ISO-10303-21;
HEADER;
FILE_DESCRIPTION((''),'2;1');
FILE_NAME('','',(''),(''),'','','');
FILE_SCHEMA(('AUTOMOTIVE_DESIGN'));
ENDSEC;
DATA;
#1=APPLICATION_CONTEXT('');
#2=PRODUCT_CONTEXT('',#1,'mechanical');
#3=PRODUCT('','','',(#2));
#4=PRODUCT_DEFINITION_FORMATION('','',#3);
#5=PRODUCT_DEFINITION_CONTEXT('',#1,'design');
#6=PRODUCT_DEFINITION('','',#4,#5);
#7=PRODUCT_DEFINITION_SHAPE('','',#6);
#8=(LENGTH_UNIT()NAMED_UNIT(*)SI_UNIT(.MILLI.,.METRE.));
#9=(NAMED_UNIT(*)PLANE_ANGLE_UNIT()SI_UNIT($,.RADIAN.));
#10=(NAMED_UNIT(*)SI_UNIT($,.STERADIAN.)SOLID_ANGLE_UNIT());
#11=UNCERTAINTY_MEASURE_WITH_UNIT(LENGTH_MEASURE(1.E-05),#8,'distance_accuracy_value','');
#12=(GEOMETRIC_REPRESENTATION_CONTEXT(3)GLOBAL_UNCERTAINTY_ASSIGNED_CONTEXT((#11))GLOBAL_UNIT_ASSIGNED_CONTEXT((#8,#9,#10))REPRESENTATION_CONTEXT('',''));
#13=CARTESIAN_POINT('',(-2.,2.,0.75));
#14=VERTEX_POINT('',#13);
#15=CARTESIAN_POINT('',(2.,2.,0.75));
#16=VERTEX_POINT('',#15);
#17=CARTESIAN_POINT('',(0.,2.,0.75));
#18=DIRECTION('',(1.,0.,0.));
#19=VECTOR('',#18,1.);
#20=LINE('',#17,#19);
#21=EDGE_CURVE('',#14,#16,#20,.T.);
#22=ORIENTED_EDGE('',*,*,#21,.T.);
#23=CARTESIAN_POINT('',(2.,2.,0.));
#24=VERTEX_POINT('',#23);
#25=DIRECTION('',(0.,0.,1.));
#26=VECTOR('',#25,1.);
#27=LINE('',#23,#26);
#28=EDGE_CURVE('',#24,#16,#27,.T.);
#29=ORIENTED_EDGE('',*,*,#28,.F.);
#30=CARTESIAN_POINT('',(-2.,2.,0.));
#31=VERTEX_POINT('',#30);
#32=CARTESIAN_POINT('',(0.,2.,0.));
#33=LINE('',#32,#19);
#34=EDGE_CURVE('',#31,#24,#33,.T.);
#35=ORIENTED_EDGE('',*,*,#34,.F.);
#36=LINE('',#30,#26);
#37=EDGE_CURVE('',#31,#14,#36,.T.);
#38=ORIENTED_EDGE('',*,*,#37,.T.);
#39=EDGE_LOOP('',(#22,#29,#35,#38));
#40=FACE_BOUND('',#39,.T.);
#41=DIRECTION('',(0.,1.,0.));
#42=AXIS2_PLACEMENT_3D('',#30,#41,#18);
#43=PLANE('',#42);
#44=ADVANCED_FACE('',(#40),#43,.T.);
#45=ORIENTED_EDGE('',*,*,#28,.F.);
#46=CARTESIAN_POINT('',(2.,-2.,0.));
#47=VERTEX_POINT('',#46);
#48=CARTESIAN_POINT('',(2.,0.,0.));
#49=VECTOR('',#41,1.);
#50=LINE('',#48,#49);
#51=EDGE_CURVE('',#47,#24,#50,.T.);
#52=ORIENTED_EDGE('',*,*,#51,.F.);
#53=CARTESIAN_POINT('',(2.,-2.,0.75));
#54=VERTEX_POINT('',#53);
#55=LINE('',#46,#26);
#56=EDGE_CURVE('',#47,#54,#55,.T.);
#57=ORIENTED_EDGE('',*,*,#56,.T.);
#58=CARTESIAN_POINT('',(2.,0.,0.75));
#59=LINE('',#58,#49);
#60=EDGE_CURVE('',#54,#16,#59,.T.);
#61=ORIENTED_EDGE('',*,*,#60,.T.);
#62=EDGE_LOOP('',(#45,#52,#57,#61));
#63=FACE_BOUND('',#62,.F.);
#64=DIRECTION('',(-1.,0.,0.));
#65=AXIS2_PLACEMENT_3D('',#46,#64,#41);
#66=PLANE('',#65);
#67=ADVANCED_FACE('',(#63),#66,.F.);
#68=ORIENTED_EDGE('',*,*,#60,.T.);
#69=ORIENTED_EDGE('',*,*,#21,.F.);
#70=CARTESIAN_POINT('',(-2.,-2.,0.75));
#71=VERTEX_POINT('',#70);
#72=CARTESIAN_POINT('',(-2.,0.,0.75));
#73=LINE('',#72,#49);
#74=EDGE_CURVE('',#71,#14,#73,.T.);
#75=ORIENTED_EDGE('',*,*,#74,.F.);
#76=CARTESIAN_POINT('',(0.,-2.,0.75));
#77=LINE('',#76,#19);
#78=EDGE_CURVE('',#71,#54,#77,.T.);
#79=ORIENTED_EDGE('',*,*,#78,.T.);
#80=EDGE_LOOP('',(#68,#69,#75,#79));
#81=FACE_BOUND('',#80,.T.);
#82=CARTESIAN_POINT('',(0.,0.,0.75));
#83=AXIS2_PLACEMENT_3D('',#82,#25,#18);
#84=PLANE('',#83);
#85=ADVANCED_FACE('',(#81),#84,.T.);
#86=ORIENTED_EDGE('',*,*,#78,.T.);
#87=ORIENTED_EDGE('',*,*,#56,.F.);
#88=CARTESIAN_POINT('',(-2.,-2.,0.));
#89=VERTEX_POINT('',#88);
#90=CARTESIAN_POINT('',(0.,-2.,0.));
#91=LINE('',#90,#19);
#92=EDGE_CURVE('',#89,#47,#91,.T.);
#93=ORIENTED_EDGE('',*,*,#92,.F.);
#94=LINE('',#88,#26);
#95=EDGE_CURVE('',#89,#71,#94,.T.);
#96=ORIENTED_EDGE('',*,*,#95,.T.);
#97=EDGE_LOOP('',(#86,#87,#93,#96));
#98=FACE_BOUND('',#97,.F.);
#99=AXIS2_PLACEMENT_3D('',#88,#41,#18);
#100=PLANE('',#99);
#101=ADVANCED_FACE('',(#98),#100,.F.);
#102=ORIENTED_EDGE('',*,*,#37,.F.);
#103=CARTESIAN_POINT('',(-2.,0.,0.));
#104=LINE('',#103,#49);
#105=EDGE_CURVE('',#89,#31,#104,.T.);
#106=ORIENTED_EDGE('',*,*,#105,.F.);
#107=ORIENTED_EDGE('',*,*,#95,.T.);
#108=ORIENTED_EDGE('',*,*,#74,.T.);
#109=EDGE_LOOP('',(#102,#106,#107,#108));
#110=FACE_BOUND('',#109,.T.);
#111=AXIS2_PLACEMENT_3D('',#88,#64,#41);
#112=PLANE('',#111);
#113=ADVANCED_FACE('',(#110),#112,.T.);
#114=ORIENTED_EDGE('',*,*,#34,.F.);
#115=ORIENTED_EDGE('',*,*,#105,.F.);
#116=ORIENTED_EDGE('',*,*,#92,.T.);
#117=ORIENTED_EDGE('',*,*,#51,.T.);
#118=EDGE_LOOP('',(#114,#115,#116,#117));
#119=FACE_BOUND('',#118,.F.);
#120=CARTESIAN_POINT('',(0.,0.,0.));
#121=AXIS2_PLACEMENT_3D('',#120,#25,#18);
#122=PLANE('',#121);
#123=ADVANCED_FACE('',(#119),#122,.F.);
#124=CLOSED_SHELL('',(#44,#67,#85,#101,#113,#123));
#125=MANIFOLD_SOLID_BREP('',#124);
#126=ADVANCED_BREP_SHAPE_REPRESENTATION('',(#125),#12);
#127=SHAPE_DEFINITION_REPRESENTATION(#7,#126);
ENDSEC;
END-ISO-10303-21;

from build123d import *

# Parameters (mm, degrees)
SKETCH_W  = 4
SKETCH_H  = 4
PAD_DEPTH = 0.75


with BuildPart() as part:
    # Sketch → Pad (new body)
    with BuildSketch(Plane.XY):
        Rectangle(SKETCH_W, SKETCH_H)
    extrude(amount=PAD_DEPTH)


solid = part.part
